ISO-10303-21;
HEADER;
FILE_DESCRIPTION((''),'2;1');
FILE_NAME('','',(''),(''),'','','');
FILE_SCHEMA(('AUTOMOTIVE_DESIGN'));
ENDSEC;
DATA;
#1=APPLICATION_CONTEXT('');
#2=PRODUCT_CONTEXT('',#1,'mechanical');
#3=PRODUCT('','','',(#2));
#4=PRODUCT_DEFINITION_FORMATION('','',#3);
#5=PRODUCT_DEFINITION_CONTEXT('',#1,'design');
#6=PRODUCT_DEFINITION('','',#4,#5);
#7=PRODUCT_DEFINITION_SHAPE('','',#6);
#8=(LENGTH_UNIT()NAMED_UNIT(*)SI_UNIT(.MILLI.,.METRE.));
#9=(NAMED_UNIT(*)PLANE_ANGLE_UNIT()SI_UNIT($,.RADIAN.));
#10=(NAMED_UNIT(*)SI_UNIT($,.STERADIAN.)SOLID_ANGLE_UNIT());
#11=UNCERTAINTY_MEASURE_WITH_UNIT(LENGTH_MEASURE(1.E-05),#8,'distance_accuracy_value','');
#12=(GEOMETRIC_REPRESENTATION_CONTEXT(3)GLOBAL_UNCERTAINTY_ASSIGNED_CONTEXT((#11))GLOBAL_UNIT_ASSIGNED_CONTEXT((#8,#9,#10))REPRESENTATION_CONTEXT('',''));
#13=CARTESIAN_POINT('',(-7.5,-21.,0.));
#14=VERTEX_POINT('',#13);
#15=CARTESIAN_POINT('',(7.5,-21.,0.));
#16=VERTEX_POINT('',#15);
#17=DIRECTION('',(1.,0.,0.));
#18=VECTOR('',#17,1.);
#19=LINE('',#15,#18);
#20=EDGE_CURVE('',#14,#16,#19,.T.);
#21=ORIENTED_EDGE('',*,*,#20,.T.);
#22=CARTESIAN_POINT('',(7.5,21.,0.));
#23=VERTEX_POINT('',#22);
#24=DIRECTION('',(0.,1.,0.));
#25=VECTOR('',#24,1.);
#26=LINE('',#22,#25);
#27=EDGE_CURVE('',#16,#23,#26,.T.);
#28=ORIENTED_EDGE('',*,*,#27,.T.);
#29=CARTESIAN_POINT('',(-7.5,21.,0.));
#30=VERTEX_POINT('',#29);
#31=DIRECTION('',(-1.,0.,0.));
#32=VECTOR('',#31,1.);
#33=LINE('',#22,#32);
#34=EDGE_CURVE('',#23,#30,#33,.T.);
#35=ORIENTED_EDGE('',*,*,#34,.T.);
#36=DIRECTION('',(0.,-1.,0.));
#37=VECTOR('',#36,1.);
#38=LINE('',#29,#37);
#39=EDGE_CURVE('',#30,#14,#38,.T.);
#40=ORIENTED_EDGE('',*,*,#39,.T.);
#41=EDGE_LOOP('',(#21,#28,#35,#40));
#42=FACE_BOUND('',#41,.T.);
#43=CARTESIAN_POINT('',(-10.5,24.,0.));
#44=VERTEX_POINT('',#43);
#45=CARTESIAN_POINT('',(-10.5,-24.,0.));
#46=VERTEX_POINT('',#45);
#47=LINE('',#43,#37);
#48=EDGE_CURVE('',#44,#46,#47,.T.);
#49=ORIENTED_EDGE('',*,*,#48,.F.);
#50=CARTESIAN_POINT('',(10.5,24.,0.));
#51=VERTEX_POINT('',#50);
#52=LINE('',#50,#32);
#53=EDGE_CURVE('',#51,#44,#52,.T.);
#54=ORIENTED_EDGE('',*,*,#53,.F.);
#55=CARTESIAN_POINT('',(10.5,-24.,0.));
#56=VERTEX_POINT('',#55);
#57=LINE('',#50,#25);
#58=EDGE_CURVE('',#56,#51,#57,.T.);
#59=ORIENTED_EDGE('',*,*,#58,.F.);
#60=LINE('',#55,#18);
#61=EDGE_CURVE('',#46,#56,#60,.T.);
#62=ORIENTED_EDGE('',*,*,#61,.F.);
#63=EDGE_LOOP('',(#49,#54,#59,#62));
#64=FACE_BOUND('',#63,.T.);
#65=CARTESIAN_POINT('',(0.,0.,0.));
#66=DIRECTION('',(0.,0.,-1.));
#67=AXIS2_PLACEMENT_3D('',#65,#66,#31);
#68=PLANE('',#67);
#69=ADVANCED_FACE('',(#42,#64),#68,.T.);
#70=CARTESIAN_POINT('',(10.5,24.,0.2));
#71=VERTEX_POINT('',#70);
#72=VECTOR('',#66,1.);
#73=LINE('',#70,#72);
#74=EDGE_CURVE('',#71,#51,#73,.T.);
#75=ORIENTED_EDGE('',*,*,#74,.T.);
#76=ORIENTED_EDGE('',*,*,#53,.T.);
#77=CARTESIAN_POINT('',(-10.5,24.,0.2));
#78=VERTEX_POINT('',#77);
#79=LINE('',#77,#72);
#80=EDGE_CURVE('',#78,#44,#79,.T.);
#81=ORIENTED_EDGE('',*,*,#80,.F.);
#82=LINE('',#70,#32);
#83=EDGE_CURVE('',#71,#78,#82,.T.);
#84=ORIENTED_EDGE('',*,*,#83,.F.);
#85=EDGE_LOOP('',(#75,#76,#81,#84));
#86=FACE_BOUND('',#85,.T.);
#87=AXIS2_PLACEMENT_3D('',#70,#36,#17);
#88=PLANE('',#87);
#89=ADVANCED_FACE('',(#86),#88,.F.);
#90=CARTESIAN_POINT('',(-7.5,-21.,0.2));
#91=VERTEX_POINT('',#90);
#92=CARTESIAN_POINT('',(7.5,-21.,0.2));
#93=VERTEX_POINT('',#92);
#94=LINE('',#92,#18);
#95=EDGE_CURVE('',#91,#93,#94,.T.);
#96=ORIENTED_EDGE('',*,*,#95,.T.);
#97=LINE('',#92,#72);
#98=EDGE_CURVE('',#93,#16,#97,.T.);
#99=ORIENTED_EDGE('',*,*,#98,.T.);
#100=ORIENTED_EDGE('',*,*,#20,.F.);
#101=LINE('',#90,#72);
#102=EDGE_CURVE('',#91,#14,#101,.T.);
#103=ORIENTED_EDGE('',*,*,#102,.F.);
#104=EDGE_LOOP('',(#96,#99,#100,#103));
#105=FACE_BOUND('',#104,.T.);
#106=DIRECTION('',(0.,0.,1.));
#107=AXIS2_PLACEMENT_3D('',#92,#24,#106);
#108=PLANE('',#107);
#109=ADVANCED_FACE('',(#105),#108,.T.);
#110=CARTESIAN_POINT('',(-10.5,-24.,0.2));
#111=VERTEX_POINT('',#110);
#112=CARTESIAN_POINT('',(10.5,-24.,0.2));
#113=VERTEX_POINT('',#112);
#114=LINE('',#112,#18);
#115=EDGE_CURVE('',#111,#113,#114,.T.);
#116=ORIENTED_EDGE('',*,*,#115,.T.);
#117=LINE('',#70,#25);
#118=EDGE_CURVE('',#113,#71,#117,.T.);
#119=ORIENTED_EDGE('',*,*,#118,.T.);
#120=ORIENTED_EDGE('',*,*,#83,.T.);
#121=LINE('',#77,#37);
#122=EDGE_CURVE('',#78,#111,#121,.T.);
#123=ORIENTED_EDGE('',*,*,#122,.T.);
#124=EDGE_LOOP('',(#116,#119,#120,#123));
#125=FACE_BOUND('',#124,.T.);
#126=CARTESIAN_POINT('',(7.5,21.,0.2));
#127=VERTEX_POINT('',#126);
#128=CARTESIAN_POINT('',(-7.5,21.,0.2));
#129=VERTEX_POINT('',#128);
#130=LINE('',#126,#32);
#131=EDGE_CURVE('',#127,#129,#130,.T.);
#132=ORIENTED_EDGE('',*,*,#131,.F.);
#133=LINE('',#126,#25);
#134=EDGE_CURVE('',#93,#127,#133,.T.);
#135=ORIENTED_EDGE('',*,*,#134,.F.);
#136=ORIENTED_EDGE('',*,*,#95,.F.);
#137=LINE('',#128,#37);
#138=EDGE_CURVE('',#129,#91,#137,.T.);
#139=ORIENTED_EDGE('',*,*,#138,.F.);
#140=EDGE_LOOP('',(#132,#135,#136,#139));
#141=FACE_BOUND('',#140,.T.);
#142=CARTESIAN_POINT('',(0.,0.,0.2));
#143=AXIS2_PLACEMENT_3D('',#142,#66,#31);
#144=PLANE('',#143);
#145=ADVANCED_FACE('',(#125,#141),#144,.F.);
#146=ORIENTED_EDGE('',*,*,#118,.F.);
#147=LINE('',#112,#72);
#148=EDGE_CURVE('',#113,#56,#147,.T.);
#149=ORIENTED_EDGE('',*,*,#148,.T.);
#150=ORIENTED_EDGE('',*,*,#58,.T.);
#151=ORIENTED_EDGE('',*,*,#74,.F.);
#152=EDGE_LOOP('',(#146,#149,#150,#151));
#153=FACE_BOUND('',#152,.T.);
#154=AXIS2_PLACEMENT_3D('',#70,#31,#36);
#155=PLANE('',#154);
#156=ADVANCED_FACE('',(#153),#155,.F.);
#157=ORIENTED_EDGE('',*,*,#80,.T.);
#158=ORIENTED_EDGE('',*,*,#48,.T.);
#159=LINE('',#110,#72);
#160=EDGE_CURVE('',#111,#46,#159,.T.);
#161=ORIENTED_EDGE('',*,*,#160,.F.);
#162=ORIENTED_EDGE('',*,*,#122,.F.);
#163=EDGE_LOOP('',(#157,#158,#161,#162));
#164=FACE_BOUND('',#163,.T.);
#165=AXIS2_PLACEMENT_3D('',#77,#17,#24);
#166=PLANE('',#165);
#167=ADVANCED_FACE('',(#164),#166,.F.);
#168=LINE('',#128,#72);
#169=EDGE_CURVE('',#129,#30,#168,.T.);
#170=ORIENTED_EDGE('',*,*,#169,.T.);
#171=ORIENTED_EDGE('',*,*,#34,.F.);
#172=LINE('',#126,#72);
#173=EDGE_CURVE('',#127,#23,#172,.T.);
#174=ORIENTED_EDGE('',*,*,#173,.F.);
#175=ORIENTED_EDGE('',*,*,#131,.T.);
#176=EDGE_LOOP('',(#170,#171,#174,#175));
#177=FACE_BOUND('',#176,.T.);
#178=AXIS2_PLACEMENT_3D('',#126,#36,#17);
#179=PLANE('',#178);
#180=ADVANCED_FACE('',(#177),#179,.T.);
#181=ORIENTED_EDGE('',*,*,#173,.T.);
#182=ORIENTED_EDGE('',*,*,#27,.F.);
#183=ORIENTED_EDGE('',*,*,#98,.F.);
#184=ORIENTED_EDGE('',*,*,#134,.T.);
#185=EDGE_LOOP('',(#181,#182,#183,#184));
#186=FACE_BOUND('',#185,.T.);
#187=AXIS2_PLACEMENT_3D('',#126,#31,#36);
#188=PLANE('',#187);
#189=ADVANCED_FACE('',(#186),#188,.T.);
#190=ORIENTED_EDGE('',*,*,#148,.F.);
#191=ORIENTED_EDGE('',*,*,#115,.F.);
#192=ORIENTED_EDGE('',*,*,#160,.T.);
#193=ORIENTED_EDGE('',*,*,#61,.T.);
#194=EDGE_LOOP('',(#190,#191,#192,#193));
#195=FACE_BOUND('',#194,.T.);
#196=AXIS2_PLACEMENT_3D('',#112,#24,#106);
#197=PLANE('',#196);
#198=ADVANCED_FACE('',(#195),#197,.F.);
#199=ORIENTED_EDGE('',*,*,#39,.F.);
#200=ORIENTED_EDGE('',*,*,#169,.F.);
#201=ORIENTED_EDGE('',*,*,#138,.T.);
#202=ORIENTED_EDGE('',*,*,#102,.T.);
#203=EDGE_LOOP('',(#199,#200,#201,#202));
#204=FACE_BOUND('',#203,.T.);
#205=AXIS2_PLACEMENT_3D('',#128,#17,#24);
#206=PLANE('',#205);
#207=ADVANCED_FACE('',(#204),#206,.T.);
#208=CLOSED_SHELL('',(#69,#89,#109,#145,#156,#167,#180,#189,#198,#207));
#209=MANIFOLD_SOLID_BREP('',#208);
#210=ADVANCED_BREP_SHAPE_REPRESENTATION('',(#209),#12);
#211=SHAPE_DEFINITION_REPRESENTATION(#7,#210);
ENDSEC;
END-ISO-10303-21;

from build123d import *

# Parameters (mm, degrees)
SKETCH1_W           = 21
SKETCH1_H           = 48
SKETCH1_W_2         = 15
SKETCH1_H_2         = 42
BOSS_EXTRUDE1_DEPTH = 0.2


with BuildPart() as part:
    # Sketch1 → Boss-Extrude1 (new body)
    with BuildSketch(Plane.XY):
        Rectangle(SKETCH1_W, SKETCH1_H)
        Rectangle(SKETCH1_W_2, SKETCH1_H_2, mode=Mode.SUBTRACT)
    extrude(amount=BOSS_EXTRUDE1_DEPTH)


solid = part.part
